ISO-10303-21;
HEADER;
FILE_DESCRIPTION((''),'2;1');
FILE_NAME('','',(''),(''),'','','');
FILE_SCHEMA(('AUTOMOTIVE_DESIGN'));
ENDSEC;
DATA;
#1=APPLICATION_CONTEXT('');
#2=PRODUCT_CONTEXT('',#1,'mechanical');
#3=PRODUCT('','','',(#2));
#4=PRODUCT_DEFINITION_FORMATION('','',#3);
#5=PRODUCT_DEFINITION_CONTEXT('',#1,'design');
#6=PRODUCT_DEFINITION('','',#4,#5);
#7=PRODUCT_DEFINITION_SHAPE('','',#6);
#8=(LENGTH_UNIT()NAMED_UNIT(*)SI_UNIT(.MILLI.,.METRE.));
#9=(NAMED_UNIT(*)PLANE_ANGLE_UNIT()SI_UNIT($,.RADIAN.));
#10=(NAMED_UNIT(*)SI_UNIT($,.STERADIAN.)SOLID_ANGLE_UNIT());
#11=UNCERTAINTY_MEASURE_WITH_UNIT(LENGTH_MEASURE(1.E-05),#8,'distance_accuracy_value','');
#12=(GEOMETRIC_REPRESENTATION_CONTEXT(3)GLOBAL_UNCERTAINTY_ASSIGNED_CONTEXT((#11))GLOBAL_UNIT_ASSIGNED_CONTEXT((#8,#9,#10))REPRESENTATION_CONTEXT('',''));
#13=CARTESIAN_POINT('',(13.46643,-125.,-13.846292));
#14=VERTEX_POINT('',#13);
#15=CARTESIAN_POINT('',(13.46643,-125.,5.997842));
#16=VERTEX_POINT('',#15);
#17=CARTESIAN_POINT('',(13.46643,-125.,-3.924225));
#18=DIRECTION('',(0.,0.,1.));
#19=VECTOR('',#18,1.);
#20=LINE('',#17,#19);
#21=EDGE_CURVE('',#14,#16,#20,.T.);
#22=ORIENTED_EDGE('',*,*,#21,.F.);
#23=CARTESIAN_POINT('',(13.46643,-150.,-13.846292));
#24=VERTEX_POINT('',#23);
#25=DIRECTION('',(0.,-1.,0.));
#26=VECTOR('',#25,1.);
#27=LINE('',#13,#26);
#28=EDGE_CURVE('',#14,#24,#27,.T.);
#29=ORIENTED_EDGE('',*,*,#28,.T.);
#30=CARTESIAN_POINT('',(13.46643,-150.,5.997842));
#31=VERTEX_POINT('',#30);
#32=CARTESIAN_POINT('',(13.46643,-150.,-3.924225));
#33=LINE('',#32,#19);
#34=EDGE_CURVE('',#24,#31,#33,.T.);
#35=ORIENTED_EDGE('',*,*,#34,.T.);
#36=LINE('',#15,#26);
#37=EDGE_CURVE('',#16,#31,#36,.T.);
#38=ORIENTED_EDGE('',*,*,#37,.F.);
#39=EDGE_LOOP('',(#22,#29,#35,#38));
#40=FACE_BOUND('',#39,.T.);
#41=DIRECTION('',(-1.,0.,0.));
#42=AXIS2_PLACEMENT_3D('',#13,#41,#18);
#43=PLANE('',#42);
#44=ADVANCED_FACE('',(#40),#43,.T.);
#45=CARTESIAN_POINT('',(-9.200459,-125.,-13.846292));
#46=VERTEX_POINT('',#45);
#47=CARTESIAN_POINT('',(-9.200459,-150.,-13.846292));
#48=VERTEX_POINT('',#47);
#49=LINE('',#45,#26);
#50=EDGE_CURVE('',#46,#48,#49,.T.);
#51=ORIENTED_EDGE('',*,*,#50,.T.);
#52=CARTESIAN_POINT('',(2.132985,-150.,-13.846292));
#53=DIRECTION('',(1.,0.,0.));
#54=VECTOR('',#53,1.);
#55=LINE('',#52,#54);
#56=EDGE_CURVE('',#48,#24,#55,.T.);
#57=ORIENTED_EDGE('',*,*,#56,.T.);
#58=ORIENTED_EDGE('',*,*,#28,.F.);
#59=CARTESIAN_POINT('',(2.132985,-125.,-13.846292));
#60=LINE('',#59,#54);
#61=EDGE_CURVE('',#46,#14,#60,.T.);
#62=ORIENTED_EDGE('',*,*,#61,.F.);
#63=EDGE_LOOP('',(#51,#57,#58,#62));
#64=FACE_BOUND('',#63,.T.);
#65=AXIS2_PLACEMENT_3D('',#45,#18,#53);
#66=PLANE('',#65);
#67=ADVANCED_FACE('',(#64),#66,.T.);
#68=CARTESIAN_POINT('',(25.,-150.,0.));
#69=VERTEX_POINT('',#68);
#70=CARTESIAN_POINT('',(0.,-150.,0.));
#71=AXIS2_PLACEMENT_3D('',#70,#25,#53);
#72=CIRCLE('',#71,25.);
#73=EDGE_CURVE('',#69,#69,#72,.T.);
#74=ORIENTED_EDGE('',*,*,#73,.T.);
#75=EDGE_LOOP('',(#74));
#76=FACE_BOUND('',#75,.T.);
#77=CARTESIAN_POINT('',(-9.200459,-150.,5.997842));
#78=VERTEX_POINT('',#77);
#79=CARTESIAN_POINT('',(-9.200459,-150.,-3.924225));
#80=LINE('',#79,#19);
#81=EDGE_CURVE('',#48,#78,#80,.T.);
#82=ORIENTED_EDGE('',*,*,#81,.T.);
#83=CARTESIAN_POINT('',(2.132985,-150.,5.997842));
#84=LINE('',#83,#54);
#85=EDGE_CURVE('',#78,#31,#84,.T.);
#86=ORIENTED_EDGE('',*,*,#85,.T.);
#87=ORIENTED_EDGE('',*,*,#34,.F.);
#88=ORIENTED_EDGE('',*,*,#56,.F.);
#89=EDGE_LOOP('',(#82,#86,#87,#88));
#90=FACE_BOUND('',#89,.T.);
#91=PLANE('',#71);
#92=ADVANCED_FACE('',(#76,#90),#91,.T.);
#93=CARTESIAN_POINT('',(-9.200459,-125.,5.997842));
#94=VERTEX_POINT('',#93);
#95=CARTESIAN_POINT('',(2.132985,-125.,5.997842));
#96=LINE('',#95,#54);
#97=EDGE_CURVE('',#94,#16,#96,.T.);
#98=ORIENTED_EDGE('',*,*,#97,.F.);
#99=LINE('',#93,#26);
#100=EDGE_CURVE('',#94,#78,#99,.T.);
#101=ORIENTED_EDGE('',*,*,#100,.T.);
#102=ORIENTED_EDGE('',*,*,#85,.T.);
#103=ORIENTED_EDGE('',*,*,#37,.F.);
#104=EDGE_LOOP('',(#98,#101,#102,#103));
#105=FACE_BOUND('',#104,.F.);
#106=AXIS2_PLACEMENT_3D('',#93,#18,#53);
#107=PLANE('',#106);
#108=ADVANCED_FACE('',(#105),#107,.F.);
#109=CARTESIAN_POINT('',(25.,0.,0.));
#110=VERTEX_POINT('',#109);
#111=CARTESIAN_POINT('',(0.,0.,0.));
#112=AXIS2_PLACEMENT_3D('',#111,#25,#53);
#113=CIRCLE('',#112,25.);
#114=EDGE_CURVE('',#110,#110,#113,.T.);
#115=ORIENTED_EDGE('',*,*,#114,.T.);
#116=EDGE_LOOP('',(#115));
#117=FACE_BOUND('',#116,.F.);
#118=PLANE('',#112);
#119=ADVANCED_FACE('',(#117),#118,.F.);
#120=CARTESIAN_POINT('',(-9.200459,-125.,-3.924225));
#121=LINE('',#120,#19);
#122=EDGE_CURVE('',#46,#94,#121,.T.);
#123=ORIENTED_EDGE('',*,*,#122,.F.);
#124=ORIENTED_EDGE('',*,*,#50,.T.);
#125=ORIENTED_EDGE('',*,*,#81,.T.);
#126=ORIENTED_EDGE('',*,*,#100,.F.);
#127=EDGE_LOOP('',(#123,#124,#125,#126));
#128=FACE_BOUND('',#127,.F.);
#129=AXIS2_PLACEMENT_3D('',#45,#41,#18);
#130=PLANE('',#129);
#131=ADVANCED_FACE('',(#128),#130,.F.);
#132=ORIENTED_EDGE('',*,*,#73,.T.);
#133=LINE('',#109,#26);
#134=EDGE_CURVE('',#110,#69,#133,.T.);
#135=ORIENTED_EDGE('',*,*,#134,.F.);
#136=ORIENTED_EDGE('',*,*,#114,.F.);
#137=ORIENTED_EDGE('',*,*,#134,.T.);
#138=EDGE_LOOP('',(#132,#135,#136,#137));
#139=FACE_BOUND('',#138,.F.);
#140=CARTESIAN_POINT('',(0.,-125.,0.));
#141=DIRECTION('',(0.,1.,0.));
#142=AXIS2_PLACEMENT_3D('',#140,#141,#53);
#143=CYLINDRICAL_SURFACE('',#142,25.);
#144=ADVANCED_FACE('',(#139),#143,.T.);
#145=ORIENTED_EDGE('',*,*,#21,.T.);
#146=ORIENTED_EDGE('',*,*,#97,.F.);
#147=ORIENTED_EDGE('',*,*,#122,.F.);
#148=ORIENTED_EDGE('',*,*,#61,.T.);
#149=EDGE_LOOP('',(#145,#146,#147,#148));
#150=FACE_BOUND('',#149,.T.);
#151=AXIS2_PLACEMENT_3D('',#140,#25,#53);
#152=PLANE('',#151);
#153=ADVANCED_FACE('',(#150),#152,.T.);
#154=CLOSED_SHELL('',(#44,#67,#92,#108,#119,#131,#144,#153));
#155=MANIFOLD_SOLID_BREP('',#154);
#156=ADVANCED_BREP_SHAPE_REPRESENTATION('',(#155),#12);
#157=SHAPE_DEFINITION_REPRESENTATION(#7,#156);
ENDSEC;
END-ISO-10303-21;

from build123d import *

# Parameters (mm, degrees)
F0_R     = 25
F1_DEPTH = 100
F2_DEPTH = 25
F3_R     = 25
F3_W     = 22.6668892428
F3_H     = 19.8441343382
F4_DEPTH = 25


with BuildPart() as f1:
    # F0 (on Front) → F1 (new body)
    with BuildSketch(Plane.XZ):
        Circle(F0_R)
    extrude(amount=F1_DEPTH)

    # F2 (add): a face of the model
    f2_faces = [f1.faces().sort_by_distance(p)[0] for p in [
        (0, -100, 0),
    ]]
    extrude(f2_faces, amount=F2_DEPTH)

    # F3 (on face) → F4 (join)
    with BuildSketch(Plane.XZ.offset(125)):
        Circle(F3_R)
        with Locations((2.1329852752, -3.9242249914)):
            Rectangle(F3_W, F3_H, mode=Mode.SUBTRACT)
    extrude(amount=F4_DEPTH)


solid = f1.part
